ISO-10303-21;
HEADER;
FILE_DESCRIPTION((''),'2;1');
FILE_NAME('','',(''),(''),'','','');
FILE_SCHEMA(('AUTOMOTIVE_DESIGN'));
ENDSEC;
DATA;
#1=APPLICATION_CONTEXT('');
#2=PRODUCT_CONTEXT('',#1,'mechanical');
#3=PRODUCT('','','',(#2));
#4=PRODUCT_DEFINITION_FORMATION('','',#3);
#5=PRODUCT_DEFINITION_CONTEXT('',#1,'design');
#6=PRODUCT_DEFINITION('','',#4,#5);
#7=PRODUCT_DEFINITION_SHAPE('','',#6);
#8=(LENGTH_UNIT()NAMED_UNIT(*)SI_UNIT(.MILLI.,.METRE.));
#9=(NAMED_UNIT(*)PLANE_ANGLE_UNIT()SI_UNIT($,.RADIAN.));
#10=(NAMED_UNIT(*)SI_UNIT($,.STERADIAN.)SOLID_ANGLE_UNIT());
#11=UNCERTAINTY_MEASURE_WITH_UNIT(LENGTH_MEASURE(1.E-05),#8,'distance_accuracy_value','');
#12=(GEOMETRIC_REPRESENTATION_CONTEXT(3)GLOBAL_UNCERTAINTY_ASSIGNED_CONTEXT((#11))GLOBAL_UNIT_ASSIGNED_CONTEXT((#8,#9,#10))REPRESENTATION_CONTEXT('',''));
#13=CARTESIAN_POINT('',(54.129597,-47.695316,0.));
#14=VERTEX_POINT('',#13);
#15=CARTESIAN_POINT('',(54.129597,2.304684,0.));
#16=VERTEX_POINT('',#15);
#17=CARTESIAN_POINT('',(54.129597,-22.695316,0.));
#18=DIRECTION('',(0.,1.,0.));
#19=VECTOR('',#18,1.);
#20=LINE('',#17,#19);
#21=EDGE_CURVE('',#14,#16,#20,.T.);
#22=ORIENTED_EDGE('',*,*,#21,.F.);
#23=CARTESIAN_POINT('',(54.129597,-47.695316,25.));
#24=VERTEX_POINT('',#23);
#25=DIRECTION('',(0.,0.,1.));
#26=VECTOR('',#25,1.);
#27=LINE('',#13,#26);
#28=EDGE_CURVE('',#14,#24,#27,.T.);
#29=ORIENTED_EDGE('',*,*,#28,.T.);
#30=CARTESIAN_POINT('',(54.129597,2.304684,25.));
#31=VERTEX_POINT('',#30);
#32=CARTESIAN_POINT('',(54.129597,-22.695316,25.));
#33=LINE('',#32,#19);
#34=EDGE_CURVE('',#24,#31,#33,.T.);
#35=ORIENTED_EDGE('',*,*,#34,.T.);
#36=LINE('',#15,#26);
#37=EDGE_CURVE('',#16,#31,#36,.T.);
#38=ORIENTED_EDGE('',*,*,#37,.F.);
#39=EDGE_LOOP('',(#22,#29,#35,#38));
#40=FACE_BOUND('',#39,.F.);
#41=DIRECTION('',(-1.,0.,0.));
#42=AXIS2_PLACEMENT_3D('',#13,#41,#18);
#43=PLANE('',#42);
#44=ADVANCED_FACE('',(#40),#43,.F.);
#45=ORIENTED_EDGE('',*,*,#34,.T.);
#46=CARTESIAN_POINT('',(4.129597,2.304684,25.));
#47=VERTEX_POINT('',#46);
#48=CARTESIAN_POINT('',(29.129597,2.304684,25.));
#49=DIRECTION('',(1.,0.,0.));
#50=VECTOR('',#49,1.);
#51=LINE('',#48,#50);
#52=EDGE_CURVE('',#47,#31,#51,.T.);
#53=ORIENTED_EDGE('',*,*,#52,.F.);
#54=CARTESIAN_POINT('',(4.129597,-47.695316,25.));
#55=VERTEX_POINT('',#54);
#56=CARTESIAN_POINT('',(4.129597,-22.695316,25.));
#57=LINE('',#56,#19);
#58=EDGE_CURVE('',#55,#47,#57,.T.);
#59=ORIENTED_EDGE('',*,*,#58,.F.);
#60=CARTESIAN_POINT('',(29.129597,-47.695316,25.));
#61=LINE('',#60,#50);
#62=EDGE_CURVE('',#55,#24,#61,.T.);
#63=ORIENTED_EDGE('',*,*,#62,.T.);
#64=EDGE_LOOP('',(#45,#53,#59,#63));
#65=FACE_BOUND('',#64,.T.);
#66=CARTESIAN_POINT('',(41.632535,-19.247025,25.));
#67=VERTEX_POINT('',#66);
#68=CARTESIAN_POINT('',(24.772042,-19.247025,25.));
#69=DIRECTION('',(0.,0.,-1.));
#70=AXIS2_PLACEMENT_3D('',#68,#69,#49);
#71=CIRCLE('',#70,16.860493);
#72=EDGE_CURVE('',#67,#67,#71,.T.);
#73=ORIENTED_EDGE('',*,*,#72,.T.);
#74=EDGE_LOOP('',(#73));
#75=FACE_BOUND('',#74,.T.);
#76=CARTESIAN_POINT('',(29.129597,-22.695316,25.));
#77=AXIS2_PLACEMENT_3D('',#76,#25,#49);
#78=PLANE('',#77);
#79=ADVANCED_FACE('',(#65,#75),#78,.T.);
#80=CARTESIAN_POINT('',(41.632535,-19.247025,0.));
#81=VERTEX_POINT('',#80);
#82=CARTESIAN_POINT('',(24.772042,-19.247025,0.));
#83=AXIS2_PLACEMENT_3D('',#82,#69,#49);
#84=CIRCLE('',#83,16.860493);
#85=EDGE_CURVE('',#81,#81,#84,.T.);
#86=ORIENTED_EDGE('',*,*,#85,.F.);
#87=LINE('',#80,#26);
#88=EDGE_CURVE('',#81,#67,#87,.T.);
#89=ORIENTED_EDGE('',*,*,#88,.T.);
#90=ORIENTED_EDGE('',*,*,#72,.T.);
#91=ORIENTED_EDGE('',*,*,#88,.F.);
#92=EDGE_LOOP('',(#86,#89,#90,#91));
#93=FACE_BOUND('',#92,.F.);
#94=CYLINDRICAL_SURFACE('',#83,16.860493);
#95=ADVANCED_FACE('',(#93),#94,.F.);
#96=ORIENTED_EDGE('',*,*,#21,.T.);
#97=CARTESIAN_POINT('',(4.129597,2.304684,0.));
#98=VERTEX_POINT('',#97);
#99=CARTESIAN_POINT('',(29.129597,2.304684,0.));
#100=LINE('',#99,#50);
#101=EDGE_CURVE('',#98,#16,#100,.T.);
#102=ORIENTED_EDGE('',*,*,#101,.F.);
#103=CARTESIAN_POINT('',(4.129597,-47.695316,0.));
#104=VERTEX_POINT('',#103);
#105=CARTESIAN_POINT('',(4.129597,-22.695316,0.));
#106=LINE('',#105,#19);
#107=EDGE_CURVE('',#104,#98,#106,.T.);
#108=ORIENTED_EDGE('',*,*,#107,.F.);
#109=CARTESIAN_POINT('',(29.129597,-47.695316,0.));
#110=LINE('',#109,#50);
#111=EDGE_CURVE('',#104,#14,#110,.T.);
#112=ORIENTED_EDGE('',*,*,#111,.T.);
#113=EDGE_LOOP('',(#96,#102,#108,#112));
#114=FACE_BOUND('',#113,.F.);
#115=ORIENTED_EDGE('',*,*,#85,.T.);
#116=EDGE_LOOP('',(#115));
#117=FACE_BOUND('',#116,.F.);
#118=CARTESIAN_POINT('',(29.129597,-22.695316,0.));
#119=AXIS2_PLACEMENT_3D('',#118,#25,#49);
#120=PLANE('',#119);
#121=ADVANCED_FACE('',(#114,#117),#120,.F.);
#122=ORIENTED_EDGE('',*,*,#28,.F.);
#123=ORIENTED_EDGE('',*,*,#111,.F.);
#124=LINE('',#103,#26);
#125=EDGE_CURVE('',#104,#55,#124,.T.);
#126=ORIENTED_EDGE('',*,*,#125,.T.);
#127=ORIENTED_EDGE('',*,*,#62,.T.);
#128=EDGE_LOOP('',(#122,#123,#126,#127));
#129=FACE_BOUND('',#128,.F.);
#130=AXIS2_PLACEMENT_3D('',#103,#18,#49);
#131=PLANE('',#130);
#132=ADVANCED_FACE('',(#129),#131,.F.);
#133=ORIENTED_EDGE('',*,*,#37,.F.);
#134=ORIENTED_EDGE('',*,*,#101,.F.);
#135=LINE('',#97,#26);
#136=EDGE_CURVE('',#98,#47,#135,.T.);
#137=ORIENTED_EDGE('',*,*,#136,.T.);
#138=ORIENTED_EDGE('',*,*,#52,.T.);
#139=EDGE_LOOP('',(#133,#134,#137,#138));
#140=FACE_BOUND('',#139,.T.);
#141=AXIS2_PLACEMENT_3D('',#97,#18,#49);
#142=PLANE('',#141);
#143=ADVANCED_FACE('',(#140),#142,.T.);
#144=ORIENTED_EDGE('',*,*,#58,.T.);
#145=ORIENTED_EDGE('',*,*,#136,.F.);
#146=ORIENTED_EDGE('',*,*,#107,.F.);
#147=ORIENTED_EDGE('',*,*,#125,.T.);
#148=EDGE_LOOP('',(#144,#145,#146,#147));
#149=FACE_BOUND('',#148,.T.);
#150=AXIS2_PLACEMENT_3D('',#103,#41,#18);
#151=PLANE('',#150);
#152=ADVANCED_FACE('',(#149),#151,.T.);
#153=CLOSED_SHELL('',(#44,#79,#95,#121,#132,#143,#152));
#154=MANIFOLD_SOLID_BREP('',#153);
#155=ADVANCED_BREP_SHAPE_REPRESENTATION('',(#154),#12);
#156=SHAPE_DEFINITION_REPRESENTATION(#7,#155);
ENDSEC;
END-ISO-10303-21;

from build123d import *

# Parameters (mm, degrees)
F0_W     = 50
F0_H     = 50
F1_DEPTH = 25
F2_R     = 16.860493
F3_DEPTH = 25


with BuildPart() as f1:
    # F0 (on Top) → F1 (new body)
    with BuildSketch(Plane.XY):
        with Locations((29.129597, -22.695316)):
            Rectangle(F0_W, F0_H)
    extrude(amount=F1_DEPTH)

    # F2 (on face) → F3 (cut, through all)
    with BuildSketch(Plane(origin=(0, 0, 0), x_dir=(1, 0, 0), z_dir=(0, 0, -1))):
        with Locations((24.772042, 19.247025)):
            Circle(F2_R)
    extrude(amount=-F3_DEPTH, mode=Mode.SUBTRACT)


solid = f1.part
